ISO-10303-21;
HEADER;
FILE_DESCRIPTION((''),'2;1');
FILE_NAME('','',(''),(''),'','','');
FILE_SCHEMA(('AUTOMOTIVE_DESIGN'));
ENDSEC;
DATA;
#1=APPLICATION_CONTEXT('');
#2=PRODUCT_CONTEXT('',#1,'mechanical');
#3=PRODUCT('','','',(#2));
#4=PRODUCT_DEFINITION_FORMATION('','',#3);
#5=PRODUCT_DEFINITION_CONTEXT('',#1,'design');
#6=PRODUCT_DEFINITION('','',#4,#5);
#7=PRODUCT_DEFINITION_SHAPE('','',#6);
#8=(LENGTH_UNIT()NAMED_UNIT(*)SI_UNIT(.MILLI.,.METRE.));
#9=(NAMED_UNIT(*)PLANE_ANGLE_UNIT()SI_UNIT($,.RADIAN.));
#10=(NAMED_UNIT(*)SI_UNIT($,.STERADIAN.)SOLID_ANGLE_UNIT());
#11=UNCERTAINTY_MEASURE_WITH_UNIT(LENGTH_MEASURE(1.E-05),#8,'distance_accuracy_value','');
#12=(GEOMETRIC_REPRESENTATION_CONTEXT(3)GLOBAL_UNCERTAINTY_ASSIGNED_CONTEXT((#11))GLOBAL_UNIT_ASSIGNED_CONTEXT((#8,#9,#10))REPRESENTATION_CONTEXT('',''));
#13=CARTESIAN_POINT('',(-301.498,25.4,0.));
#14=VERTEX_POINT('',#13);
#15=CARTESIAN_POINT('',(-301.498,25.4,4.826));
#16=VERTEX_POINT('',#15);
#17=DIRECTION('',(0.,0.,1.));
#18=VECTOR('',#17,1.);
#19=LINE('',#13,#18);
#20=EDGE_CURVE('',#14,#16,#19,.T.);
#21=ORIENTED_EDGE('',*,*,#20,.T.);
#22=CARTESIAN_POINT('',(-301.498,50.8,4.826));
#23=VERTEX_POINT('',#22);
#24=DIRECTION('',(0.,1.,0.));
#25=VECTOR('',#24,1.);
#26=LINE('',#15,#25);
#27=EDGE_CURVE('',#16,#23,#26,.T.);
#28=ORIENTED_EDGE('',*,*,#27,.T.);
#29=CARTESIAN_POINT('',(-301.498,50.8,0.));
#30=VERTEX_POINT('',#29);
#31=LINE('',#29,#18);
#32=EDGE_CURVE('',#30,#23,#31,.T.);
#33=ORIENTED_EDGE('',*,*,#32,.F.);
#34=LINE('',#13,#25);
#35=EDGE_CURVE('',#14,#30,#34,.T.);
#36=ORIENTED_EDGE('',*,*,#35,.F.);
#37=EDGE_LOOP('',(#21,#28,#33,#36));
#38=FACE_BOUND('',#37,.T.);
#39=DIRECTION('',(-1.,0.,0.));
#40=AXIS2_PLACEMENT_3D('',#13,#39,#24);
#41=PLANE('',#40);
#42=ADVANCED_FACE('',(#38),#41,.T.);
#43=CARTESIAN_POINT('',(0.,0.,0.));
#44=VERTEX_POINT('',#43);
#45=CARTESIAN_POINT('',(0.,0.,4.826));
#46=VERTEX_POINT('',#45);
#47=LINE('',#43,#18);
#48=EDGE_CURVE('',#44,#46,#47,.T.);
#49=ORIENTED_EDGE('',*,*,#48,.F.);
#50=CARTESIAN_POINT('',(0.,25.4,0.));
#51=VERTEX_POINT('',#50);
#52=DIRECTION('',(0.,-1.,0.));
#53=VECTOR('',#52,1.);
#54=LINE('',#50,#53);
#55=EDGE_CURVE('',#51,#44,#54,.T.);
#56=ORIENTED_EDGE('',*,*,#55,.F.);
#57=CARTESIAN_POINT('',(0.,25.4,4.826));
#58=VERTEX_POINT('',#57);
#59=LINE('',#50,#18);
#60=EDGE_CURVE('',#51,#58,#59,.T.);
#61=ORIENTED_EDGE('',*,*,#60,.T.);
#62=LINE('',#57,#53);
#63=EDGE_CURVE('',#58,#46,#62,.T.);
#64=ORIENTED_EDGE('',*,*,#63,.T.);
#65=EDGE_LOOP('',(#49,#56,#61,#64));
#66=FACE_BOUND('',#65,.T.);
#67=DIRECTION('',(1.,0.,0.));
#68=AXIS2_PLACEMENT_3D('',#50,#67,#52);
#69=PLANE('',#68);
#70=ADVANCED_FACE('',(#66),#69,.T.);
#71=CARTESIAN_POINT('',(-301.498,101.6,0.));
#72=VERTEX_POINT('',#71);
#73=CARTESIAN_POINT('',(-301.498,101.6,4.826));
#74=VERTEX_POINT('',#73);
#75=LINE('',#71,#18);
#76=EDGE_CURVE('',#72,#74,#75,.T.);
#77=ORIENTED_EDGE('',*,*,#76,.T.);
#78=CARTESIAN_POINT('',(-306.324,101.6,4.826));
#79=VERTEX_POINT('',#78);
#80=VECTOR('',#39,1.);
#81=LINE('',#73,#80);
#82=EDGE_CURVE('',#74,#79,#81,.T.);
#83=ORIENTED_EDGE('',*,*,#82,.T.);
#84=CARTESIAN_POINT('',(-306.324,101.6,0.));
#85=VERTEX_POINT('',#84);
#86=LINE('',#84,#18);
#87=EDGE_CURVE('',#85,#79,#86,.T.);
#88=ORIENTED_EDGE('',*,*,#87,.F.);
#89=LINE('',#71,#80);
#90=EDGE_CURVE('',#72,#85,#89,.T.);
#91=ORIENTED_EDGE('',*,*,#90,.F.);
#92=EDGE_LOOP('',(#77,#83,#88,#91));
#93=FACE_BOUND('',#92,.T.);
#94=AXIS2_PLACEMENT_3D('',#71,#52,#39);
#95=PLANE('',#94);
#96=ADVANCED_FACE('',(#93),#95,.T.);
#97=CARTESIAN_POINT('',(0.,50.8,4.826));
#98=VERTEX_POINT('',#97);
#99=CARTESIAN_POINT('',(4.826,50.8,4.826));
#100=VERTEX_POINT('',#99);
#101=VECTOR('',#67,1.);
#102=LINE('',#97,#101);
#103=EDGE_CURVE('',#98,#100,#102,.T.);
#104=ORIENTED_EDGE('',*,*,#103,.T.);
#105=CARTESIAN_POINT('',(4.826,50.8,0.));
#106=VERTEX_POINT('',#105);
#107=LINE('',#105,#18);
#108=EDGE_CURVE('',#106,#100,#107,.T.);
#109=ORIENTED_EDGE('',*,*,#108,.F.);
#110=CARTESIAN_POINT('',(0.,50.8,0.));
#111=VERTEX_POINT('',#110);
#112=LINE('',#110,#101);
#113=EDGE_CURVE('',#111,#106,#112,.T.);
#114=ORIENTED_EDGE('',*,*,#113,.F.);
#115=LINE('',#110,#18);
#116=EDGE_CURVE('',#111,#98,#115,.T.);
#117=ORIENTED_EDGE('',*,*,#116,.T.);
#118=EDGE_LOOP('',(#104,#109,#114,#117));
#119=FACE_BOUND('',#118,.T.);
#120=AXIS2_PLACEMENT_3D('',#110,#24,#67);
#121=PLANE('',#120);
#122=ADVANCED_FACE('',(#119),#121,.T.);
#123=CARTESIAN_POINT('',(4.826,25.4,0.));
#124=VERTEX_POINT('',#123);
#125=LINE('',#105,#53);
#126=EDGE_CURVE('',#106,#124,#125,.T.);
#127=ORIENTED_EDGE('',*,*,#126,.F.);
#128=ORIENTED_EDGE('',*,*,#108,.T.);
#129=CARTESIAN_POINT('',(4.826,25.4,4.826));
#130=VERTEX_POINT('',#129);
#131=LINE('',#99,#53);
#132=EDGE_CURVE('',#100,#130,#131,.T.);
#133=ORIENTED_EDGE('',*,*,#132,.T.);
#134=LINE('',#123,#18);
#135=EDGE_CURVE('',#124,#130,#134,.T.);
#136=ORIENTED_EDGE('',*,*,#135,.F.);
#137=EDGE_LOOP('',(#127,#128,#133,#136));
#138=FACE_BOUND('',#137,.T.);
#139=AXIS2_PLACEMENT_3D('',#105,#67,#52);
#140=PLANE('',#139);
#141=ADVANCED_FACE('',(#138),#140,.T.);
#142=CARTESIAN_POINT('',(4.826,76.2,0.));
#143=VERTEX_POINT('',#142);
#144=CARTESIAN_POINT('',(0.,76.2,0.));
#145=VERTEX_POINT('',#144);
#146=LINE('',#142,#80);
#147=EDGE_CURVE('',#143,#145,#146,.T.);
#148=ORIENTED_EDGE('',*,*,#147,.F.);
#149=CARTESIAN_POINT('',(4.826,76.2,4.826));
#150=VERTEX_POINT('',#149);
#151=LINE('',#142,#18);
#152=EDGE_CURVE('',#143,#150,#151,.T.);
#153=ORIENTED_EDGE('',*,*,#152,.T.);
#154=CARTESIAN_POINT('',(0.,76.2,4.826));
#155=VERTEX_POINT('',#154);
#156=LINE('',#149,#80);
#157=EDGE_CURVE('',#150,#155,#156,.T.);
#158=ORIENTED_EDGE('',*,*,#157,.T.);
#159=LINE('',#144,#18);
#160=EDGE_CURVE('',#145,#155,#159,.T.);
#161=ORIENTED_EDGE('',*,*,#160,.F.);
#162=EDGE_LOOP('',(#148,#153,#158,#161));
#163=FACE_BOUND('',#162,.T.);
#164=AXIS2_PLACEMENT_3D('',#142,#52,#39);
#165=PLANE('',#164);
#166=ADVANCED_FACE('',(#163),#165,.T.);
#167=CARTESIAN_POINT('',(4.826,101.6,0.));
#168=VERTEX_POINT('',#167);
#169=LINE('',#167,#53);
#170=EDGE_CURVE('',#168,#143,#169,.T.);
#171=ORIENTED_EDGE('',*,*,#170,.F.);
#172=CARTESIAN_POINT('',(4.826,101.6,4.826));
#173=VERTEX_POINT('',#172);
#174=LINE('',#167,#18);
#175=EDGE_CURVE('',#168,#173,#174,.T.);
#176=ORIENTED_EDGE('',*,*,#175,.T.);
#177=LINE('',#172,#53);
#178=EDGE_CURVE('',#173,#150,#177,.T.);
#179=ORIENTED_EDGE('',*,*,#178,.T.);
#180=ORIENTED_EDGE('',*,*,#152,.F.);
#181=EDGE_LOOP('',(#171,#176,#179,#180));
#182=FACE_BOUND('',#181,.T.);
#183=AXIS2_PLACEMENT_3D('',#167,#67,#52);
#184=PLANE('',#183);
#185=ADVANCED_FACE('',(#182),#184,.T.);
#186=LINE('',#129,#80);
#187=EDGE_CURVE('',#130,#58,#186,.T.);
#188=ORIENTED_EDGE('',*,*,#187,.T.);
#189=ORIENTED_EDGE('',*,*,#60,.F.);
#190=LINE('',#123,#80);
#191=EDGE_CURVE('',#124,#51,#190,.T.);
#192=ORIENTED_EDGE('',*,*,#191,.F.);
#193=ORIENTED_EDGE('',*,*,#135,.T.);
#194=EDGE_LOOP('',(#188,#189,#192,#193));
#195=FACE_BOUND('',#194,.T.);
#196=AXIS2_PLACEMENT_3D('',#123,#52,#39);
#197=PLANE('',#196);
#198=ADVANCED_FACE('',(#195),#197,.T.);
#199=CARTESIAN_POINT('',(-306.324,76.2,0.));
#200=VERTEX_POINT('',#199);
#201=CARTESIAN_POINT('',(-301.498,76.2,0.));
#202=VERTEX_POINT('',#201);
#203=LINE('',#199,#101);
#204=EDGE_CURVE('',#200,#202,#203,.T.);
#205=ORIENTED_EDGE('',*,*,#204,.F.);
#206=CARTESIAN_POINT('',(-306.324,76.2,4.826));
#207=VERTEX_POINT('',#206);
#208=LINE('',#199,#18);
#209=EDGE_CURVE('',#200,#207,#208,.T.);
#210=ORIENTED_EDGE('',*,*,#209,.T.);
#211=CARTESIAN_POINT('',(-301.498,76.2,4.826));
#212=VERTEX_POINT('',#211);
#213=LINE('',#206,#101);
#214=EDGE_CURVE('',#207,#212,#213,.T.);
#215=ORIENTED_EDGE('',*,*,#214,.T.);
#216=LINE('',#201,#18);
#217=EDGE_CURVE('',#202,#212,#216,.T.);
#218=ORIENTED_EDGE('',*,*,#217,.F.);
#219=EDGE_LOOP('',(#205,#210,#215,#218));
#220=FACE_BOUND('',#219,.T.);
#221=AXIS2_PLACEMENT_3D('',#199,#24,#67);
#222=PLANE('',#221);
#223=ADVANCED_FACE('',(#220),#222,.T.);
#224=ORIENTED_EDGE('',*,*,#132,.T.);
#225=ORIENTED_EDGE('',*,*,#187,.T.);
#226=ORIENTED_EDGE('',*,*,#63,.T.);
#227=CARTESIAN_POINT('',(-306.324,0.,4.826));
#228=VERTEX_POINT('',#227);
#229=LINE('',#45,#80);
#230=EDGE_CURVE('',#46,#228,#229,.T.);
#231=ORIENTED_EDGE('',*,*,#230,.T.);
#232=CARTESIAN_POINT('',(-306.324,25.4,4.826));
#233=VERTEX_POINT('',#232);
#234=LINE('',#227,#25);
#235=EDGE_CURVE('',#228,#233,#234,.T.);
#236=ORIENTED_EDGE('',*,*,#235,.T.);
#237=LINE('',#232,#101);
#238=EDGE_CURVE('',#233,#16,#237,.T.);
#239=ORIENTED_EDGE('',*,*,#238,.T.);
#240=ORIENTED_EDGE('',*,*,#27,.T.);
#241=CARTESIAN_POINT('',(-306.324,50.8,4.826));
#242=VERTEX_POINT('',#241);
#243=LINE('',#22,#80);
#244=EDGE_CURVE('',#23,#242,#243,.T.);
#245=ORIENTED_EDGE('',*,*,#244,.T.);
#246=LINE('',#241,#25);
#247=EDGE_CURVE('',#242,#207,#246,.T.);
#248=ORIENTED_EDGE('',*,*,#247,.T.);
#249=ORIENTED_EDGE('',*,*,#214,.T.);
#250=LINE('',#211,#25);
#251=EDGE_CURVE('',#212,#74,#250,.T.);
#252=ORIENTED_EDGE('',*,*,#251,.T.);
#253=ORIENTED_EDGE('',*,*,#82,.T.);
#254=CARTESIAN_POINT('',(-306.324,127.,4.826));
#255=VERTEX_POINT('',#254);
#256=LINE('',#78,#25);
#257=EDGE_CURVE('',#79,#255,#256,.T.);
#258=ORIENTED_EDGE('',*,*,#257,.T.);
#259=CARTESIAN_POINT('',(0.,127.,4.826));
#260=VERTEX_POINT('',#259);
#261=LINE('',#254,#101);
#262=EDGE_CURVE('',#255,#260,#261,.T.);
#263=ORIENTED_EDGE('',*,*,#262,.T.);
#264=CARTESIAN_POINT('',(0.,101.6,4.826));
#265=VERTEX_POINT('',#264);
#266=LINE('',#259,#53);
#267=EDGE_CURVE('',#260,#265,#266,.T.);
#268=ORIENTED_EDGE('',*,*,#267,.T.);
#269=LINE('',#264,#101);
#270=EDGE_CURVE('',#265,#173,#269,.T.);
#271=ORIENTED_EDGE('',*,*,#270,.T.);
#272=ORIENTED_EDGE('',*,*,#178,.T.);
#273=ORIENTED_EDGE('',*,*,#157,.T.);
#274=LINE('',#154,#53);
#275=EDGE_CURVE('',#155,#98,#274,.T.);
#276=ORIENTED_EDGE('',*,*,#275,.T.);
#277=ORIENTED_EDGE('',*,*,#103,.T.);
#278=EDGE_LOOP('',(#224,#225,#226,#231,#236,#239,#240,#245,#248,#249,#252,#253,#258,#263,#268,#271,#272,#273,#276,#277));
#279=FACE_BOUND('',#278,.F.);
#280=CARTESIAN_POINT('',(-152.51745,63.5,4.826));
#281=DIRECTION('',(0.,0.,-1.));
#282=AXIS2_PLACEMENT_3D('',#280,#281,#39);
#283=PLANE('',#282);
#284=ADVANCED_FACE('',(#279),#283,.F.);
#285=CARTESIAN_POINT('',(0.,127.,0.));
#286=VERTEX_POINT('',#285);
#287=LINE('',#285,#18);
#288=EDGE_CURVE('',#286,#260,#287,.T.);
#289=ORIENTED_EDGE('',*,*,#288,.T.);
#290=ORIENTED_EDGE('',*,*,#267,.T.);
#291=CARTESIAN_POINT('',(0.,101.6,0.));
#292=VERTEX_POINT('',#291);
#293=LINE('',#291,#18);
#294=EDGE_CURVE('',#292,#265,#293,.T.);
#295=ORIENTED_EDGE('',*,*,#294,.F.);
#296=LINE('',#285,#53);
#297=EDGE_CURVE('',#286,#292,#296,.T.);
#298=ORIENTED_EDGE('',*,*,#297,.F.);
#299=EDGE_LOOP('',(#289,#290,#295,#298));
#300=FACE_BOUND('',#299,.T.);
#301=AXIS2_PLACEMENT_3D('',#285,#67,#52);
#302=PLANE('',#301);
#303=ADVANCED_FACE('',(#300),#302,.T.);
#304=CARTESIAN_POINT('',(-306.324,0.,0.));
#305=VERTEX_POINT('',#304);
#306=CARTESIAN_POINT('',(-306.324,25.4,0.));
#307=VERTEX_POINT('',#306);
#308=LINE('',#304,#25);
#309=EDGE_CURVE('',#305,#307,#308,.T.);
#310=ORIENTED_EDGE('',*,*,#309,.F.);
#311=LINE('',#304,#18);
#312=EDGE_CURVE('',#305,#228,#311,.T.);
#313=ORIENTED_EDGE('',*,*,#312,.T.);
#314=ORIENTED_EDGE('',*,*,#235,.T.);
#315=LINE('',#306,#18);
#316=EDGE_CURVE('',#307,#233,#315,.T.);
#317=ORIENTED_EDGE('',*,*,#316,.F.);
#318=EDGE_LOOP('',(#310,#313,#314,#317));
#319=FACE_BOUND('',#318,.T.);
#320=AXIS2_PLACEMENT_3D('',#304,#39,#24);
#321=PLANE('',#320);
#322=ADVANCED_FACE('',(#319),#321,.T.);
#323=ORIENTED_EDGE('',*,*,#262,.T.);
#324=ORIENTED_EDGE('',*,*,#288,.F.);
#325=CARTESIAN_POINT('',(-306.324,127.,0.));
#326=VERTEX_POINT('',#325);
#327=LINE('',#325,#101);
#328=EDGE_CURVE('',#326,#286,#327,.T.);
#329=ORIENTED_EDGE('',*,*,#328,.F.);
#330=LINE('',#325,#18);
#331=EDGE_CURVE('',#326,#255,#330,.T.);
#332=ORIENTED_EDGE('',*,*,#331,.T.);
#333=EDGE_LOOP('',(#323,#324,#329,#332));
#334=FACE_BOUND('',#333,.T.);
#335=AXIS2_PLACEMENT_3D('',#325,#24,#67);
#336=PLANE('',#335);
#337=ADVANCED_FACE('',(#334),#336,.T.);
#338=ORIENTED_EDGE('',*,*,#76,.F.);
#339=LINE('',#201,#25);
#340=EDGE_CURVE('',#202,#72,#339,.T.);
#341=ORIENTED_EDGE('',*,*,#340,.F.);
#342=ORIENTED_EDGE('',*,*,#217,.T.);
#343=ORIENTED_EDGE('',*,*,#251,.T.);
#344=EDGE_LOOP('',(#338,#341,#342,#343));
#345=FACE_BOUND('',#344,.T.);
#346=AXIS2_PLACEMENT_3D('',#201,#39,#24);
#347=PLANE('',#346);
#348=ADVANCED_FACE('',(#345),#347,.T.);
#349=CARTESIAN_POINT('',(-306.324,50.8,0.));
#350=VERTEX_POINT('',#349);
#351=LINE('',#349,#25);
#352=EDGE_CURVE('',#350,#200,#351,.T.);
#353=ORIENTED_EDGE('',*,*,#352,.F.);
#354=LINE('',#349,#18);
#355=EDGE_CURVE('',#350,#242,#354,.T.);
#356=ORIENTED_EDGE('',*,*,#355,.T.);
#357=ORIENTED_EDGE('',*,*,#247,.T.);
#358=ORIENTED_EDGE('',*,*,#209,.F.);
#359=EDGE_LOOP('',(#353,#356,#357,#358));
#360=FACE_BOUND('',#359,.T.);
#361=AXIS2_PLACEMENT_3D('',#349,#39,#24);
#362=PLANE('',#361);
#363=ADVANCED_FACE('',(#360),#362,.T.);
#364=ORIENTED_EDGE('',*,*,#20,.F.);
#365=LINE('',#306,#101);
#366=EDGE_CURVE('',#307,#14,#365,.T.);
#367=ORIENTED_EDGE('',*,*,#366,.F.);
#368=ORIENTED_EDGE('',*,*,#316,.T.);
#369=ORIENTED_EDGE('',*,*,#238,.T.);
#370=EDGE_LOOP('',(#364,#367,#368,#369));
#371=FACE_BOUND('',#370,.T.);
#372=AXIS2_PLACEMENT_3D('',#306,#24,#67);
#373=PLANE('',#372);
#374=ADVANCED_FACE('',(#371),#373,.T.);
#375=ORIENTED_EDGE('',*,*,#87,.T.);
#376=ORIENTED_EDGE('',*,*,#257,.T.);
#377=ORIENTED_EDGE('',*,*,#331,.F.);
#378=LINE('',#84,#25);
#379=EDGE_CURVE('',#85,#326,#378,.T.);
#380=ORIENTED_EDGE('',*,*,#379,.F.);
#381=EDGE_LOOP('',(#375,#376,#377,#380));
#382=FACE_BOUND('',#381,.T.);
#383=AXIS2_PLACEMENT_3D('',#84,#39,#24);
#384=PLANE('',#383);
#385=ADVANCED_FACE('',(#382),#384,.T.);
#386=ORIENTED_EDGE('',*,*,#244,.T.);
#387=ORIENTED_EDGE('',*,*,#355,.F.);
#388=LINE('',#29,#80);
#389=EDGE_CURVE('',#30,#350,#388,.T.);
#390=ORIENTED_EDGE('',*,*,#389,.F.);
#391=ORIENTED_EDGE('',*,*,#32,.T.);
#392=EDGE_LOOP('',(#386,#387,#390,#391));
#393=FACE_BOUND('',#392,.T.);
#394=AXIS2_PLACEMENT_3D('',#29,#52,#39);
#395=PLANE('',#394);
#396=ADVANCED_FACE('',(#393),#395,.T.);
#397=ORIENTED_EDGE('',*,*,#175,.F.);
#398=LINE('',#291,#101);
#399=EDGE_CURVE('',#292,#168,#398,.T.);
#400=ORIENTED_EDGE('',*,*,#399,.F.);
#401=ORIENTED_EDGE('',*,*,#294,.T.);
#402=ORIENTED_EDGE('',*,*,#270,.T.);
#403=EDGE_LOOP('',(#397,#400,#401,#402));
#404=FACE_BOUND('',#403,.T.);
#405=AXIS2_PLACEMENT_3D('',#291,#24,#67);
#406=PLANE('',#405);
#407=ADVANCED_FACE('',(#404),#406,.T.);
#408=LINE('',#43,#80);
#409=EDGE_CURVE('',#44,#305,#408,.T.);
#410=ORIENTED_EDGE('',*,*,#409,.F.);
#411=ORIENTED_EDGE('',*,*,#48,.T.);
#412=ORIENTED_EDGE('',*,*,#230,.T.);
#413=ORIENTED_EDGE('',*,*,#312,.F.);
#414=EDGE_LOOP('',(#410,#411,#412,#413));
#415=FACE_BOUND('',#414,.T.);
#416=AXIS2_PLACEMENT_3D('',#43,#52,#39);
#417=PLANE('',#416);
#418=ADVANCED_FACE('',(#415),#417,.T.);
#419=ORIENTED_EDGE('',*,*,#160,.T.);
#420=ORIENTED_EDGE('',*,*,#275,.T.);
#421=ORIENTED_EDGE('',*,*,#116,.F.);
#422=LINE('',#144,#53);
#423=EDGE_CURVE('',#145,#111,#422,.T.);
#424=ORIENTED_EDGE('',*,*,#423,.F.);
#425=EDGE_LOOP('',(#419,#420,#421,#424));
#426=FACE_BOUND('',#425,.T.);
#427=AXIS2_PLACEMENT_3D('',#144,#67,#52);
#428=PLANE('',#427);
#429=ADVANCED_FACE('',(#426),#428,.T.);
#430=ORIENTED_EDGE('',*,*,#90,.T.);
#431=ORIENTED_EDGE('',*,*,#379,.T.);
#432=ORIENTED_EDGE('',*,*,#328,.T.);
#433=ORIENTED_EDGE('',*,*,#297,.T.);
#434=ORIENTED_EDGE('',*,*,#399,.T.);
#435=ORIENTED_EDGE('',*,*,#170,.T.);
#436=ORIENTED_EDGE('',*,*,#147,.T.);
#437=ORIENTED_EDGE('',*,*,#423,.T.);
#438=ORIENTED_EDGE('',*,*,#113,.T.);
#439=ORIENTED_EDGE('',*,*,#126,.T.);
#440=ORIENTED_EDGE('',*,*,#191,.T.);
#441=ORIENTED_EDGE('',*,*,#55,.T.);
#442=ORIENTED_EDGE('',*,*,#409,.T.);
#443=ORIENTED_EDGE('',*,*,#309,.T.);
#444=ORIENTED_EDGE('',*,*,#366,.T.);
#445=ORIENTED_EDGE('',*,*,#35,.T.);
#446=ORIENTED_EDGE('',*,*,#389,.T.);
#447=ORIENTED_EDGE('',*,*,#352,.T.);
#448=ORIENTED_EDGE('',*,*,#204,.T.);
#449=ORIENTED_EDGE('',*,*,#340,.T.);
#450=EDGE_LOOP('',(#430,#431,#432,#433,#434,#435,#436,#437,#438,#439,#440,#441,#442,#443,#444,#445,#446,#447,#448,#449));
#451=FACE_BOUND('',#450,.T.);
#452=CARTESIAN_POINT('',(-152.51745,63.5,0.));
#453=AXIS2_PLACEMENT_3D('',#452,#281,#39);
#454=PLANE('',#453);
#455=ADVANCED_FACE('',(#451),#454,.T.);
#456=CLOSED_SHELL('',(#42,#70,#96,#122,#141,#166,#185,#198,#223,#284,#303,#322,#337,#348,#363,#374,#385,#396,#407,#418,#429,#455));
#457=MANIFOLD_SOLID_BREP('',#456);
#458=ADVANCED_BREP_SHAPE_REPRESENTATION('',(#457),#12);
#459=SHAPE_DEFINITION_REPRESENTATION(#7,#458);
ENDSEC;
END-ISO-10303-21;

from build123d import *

# Parameters (mm, degrees)
BOSS_EXTRUDE1_DEPTH = 4.826


with BuildPart() as part:
    # Sketch1 → Boss-Extrude1 (new body)
    with BuildSketch(Plane.XY):
        Polygon((-306.324, 101.6), (-306.324, 127), (0, 127), (0, 101.6), (4.826, 101.6), (4.826, 76.2), (0, 76.2), (0, 50.8), (4.826, 50.8), (4.826, 25.4), (0, 25.4), (0, 0), (-306.324, 0), (-306.324, 25.4), (-301.498, 25.4), (-301.498, 50.8), (-306.324, 50.8), (-306.324, 76.2), (-301.498, 76.2), (-301.498, 101.6), align=None)
    extrude(amount=BOSS_EXTRUDE1_DEPTH)


solid = part.part
